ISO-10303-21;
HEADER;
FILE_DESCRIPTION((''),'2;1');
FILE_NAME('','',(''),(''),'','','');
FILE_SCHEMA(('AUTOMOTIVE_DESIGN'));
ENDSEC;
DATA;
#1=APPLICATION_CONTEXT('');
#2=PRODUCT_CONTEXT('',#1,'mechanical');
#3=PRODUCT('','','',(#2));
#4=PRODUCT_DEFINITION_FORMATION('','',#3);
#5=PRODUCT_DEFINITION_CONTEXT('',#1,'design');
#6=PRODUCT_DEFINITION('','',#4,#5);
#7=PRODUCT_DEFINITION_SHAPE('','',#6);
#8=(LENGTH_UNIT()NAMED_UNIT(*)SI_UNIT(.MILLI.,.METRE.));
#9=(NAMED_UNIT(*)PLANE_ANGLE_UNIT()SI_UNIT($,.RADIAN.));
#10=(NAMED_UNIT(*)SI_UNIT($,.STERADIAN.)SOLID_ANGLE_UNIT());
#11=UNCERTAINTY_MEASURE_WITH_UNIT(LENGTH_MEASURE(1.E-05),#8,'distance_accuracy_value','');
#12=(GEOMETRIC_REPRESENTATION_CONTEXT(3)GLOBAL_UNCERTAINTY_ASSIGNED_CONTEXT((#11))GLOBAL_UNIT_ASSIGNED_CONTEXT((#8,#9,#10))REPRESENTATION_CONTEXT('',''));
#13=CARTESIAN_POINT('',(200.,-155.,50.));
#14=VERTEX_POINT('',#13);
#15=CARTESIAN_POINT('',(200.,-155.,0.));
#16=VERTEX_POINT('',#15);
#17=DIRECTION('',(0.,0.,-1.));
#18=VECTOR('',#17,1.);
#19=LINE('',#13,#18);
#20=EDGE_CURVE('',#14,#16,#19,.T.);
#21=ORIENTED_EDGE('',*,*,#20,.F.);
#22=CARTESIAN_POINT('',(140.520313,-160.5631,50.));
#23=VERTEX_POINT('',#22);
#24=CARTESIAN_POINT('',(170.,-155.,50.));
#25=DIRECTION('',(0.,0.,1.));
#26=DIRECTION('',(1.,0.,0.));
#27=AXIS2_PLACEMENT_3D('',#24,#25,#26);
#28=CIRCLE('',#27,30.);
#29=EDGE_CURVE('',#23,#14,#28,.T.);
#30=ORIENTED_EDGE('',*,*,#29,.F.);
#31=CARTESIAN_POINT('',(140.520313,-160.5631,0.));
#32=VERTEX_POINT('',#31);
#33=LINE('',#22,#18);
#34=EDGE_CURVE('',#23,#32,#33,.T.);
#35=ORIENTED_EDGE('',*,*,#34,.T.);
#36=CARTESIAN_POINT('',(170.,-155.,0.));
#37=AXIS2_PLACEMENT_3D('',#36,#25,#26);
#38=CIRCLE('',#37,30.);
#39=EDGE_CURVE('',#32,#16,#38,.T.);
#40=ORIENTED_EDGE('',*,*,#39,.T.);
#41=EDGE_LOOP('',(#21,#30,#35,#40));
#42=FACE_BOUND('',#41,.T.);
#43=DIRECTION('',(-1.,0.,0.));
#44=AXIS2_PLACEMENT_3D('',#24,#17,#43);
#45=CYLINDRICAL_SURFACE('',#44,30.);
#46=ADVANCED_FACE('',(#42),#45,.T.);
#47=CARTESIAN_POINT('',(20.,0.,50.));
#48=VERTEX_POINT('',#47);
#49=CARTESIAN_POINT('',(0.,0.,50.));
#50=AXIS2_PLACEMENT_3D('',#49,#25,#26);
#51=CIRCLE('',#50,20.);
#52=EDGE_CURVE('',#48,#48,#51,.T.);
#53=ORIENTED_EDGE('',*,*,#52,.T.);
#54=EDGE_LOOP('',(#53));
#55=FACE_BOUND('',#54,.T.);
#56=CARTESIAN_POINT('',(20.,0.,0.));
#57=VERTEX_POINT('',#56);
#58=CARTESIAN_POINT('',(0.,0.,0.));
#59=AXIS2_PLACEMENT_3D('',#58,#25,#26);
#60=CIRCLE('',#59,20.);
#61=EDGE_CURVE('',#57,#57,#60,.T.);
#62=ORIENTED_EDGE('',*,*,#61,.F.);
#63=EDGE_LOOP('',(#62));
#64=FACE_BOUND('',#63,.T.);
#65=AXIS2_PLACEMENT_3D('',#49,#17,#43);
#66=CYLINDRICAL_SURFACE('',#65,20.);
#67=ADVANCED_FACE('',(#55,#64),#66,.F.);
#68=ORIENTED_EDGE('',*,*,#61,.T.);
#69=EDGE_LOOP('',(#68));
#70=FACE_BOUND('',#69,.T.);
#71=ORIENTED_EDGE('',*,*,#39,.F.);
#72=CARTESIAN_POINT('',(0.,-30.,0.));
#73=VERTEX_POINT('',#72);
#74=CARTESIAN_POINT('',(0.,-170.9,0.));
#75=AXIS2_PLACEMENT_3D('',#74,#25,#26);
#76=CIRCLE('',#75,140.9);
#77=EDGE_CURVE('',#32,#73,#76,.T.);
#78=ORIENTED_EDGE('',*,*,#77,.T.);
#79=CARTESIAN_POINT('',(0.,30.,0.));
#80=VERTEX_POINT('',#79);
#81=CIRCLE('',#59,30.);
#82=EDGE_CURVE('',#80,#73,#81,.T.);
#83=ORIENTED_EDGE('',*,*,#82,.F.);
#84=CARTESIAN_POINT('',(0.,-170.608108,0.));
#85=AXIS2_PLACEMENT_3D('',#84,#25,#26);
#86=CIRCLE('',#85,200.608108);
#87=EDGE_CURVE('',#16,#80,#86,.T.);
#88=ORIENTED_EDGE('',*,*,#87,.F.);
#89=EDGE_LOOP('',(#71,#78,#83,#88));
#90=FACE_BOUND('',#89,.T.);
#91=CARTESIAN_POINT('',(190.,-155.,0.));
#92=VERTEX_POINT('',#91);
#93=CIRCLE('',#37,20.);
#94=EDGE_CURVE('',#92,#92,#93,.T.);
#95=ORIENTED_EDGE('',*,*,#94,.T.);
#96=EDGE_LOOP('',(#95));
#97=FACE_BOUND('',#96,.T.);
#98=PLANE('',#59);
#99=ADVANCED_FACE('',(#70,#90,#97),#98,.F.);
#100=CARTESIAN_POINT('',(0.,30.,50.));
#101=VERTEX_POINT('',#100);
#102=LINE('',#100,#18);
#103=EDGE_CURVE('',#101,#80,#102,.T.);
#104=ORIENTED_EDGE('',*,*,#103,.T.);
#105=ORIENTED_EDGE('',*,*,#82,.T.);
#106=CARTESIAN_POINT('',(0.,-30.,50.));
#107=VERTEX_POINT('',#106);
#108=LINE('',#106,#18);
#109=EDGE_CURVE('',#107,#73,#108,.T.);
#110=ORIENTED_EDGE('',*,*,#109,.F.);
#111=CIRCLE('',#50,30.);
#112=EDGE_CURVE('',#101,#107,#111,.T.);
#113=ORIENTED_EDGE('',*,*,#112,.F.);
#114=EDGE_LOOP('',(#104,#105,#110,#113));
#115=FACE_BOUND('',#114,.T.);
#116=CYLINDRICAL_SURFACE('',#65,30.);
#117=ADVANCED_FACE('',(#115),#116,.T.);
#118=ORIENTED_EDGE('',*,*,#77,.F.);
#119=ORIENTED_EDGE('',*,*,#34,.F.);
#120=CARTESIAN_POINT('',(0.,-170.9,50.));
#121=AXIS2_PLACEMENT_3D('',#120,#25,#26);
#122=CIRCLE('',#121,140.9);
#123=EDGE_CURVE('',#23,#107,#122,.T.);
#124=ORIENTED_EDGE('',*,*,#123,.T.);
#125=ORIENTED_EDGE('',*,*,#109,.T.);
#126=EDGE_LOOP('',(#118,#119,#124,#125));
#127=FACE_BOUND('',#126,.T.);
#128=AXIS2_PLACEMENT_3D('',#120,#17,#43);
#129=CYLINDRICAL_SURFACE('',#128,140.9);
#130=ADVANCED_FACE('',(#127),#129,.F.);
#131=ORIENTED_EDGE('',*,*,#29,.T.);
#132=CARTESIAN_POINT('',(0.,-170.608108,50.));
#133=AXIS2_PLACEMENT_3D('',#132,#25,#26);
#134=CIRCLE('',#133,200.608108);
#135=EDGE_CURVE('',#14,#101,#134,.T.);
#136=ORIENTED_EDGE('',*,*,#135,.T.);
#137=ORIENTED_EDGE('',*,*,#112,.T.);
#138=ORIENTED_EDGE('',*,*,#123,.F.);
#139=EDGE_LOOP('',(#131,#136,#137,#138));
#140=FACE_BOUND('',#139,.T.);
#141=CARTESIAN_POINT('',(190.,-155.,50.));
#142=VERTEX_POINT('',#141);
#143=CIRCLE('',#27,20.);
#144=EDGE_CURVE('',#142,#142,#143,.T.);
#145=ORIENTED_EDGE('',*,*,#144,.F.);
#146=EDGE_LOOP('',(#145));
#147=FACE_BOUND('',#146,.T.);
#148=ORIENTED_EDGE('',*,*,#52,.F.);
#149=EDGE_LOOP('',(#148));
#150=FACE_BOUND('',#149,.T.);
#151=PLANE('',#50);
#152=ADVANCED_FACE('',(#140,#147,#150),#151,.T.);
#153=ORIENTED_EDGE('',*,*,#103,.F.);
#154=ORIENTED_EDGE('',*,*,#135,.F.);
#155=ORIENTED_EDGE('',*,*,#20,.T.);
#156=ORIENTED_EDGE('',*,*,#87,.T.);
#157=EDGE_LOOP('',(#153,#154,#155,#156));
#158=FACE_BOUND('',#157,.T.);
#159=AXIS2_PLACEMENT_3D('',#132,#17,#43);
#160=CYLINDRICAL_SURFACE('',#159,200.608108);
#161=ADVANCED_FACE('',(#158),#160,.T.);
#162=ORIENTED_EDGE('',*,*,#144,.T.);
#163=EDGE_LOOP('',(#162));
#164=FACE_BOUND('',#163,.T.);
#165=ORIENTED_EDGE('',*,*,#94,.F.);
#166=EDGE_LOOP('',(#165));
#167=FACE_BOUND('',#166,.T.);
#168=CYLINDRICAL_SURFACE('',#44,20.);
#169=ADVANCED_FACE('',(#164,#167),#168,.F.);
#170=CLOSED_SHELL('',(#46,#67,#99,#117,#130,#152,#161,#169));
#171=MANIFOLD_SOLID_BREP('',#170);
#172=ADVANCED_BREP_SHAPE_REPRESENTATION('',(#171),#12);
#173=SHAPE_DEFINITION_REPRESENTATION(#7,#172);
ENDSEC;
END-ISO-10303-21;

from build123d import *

# Parameters (mm, degrees)
CROQUIS1_R              = 20
SALIENTE_EXTRUIR1_DEPTH = 50


with BuildPart() as part:
    # Croquis1 → Saliente-Extruir1 (new body)
    with BuildSketch(Plane.XY):
        with BuildLine():
            ThreePointArc((140.520313479, -160.563100092), (95.907092551, -67.678686317), (0, -30))
            ThreePointArc((0, -30), (-30, 0), (0, 30))
            ThreePointArc((0, 30), (136.221327258, -23.341808369), (200, -155))
            ThreePointArc((200, -155), (172.793689709, -184.869638394), (140.520313479, -160.563100092))
        make_face()
        with Locations((170, -155)):
            Circle(CROQUIS1_R, mode=Mode.SUBTRACT)
        Circle(CROQUIS1_R, mode=Mode.SUBTRACT)
    extrude(amount=SALIENTE_EXTRUIR1_DEPTH)


solid = part.part
